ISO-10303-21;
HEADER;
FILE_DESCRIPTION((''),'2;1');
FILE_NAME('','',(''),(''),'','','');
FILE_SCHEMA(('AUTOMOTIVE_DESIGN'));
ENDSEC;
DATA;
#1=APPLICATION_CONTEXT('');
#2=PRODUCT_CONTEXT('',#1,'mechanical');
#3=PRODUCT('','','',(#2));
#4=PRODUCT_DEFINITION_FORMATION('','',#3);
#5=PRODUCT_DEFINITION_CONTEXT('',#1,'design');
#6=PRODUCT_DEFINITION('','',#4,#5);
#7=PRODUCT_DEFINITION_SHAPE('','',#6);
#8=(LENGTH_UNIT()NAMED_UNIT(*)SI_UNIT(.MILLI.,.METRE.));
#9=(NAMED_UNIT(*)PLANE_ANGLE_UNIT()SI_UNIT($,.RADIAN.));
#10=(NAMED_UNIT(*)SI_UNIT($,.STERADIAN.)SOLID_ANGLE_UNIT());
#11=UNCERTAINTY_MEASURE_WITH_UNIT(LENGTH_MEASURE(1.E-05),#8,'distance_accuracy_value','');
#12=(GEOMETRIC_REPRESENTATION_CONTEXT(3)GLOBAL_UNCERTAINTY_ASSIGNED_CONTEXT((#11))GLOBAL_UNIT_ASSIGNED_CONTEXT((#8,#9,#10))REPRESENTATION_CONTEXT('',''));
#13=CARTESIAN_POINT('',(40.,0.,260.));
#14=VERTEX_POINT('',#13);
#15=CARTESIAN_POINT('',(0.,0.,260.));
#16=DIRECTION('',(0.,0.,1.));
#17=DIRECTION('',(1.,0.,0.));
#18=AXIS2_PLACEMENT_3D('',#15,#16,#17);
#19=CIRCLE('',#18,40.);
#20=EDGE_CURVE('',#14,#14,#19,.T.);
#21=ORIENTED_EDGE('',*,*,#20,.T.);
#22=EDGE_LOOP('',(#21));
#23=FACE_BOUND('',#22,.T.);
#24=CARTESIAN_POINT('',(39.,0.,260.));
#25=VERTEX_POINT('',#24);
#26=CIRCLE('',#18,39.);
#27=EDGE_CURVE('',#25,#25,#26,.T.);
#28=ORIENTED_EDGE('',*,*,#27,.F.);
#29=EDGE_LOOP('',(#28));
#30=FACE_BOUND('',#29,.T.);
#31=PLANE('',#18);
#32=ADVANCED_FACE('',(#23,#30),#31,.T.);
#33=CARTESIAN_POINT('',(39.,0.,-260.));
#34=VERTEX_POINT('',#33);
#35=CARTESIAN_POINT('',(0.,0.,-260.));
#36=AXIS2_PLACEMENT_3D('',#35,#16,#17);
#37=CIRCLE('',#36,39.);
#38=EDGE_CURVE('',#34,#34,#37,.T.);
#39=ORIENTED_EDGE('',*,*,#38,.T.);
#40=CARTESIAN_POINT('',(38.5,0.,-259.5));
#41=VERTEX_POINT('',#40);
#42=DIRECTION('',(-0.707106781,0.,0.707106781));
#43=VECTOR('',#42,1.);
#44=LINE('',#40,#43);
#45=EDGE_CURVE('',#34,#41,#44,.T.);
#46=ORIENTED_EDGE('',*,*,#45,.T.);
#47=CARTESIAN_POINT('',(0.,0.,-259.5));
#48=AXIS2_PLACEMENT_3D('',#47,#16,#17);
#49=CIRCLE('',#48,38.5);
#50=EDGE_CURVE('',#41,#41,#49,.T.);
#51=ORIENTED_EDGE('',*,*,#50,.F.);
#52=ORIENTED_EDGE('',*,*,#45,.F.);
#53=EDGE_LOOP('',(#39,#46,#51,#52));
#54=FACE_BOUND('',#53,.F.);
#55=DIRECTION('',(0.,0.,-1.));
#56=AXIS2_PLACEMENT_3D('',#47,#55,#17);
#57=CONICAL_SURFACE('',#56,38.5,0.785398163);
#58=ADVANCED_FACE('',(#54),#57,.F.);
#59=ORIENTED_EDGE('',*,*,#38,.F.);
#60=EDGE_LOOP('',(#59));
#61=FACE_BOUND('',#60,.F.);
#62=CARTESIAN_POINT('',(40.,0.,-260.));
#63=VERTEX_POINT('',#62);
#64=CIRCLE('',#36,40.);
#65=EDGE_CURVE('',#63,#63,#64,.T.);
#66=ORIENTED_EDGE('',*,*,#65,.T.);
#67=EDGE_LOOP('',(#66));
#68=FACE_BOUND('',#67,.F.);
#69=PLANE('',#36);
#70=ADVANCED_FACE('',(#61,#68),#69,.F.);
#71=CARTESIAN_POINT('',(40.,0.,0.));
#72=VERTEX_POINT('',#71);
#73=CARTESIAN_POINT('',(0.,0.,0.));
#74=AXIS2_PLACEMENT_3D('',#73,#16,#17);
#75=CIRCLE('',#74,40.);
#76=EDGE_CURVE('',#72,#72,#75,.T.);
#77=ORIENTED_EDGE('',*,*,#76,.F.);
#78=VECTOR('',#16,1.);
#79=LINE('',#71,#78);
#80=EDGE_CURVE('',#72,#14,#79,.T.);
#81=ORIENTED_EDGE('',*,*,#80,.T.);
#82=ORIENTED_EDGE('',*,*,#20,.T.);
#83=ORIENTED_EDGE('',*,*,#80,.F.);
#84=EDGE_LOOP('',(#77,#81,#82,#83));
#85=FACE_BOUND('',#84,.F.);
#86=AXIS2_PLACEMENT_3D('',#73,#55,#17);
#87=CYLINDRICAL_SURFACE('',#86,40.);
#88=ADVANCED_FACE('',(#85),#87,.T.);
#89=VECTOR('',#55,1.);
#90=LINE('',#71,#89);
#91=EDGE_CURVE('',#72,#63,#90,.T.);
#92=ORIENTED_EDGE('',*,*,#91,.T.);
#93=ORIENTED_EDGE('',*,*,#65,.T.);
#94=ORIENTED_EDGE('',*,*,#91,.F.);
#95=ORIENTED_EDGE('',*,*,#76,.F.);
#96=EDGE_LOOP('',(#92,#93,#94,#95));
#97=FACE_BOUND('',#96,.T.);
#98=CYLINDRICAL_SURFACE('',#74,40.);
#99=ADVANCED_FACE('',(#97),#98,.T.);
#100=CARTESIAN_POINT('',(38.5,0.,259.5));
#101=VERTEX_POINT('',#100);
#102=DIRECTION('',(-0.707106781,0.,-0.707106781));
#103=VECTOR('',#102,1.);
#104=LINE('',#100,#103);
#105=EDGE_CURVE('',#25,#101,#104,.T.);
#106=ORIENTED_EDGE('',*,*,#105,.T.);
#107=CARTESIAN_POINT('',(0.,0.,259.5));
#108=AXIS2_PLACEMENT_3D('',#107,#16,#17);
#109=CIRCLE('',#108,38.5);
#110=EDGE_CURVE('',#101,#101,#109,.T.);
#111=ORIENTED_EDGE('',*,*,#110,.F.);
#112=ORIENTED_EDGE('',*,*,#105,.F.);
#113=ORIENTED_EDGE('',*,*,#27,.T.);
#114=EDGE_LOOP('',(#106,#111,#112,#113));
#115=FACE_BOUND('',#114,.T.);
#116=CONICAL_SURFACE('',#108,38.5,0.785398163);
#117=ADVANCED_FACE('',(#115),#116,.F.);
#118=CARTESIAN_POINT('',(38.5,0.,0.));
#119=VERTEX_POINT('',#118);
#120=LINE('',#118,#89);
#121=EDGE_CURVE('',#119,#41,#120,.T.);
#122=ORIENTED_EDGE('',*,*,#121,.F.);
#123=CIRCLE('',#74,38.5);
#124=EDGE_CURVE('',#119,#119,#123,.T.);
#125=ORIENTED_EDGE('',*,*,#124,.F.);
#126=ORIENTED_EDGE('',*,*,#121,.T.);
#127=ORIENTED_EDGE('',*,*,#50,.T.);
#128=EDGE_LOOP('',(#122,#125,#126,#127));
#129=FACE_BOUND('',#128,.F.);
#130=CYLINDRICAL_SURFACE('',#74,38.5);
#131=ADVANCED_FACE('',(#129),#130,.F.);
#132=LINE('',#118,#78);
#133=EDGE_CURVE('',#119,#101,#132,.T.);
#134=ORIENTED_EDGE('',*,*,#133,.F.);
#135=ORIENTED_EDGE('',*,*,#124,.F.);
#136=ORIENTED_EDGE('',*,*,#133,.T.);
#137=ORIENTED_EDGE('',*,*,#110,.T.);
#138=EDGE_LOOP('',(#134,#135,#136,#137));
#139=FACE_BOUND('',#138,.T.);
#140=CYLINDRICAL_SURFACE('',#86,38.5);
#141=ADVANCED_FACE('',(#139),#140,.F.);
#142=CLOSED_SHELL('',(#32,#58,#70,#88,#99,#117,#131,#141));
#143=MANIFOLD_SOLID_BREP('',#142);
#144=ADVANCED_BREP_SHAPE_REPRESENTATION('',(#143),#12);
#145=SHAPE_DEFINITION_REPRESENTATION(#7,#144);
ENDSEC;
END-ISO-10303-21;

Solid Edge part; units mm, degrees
sketch "Sketch1" plane through (0, 0, 0) normal (0, 0, 1) x (1, 0, 0)
  circle A0 centre (0, 0) radius 38.5
  circle A1 centre (0, 0) radius 40
  dimension "D1" = 80
  dimension "D2" = 77
extrude "Protrusion1" add sketch "Sketch1" along normal mid plane 520
chamfer "mounting_chamfers" distance 0.5 angle 45 2 edges at (-38.5, 0, 260) (-38.5, 0, -260)
properties part number "DRROLL-M1" material "Cork, gasket grade"
